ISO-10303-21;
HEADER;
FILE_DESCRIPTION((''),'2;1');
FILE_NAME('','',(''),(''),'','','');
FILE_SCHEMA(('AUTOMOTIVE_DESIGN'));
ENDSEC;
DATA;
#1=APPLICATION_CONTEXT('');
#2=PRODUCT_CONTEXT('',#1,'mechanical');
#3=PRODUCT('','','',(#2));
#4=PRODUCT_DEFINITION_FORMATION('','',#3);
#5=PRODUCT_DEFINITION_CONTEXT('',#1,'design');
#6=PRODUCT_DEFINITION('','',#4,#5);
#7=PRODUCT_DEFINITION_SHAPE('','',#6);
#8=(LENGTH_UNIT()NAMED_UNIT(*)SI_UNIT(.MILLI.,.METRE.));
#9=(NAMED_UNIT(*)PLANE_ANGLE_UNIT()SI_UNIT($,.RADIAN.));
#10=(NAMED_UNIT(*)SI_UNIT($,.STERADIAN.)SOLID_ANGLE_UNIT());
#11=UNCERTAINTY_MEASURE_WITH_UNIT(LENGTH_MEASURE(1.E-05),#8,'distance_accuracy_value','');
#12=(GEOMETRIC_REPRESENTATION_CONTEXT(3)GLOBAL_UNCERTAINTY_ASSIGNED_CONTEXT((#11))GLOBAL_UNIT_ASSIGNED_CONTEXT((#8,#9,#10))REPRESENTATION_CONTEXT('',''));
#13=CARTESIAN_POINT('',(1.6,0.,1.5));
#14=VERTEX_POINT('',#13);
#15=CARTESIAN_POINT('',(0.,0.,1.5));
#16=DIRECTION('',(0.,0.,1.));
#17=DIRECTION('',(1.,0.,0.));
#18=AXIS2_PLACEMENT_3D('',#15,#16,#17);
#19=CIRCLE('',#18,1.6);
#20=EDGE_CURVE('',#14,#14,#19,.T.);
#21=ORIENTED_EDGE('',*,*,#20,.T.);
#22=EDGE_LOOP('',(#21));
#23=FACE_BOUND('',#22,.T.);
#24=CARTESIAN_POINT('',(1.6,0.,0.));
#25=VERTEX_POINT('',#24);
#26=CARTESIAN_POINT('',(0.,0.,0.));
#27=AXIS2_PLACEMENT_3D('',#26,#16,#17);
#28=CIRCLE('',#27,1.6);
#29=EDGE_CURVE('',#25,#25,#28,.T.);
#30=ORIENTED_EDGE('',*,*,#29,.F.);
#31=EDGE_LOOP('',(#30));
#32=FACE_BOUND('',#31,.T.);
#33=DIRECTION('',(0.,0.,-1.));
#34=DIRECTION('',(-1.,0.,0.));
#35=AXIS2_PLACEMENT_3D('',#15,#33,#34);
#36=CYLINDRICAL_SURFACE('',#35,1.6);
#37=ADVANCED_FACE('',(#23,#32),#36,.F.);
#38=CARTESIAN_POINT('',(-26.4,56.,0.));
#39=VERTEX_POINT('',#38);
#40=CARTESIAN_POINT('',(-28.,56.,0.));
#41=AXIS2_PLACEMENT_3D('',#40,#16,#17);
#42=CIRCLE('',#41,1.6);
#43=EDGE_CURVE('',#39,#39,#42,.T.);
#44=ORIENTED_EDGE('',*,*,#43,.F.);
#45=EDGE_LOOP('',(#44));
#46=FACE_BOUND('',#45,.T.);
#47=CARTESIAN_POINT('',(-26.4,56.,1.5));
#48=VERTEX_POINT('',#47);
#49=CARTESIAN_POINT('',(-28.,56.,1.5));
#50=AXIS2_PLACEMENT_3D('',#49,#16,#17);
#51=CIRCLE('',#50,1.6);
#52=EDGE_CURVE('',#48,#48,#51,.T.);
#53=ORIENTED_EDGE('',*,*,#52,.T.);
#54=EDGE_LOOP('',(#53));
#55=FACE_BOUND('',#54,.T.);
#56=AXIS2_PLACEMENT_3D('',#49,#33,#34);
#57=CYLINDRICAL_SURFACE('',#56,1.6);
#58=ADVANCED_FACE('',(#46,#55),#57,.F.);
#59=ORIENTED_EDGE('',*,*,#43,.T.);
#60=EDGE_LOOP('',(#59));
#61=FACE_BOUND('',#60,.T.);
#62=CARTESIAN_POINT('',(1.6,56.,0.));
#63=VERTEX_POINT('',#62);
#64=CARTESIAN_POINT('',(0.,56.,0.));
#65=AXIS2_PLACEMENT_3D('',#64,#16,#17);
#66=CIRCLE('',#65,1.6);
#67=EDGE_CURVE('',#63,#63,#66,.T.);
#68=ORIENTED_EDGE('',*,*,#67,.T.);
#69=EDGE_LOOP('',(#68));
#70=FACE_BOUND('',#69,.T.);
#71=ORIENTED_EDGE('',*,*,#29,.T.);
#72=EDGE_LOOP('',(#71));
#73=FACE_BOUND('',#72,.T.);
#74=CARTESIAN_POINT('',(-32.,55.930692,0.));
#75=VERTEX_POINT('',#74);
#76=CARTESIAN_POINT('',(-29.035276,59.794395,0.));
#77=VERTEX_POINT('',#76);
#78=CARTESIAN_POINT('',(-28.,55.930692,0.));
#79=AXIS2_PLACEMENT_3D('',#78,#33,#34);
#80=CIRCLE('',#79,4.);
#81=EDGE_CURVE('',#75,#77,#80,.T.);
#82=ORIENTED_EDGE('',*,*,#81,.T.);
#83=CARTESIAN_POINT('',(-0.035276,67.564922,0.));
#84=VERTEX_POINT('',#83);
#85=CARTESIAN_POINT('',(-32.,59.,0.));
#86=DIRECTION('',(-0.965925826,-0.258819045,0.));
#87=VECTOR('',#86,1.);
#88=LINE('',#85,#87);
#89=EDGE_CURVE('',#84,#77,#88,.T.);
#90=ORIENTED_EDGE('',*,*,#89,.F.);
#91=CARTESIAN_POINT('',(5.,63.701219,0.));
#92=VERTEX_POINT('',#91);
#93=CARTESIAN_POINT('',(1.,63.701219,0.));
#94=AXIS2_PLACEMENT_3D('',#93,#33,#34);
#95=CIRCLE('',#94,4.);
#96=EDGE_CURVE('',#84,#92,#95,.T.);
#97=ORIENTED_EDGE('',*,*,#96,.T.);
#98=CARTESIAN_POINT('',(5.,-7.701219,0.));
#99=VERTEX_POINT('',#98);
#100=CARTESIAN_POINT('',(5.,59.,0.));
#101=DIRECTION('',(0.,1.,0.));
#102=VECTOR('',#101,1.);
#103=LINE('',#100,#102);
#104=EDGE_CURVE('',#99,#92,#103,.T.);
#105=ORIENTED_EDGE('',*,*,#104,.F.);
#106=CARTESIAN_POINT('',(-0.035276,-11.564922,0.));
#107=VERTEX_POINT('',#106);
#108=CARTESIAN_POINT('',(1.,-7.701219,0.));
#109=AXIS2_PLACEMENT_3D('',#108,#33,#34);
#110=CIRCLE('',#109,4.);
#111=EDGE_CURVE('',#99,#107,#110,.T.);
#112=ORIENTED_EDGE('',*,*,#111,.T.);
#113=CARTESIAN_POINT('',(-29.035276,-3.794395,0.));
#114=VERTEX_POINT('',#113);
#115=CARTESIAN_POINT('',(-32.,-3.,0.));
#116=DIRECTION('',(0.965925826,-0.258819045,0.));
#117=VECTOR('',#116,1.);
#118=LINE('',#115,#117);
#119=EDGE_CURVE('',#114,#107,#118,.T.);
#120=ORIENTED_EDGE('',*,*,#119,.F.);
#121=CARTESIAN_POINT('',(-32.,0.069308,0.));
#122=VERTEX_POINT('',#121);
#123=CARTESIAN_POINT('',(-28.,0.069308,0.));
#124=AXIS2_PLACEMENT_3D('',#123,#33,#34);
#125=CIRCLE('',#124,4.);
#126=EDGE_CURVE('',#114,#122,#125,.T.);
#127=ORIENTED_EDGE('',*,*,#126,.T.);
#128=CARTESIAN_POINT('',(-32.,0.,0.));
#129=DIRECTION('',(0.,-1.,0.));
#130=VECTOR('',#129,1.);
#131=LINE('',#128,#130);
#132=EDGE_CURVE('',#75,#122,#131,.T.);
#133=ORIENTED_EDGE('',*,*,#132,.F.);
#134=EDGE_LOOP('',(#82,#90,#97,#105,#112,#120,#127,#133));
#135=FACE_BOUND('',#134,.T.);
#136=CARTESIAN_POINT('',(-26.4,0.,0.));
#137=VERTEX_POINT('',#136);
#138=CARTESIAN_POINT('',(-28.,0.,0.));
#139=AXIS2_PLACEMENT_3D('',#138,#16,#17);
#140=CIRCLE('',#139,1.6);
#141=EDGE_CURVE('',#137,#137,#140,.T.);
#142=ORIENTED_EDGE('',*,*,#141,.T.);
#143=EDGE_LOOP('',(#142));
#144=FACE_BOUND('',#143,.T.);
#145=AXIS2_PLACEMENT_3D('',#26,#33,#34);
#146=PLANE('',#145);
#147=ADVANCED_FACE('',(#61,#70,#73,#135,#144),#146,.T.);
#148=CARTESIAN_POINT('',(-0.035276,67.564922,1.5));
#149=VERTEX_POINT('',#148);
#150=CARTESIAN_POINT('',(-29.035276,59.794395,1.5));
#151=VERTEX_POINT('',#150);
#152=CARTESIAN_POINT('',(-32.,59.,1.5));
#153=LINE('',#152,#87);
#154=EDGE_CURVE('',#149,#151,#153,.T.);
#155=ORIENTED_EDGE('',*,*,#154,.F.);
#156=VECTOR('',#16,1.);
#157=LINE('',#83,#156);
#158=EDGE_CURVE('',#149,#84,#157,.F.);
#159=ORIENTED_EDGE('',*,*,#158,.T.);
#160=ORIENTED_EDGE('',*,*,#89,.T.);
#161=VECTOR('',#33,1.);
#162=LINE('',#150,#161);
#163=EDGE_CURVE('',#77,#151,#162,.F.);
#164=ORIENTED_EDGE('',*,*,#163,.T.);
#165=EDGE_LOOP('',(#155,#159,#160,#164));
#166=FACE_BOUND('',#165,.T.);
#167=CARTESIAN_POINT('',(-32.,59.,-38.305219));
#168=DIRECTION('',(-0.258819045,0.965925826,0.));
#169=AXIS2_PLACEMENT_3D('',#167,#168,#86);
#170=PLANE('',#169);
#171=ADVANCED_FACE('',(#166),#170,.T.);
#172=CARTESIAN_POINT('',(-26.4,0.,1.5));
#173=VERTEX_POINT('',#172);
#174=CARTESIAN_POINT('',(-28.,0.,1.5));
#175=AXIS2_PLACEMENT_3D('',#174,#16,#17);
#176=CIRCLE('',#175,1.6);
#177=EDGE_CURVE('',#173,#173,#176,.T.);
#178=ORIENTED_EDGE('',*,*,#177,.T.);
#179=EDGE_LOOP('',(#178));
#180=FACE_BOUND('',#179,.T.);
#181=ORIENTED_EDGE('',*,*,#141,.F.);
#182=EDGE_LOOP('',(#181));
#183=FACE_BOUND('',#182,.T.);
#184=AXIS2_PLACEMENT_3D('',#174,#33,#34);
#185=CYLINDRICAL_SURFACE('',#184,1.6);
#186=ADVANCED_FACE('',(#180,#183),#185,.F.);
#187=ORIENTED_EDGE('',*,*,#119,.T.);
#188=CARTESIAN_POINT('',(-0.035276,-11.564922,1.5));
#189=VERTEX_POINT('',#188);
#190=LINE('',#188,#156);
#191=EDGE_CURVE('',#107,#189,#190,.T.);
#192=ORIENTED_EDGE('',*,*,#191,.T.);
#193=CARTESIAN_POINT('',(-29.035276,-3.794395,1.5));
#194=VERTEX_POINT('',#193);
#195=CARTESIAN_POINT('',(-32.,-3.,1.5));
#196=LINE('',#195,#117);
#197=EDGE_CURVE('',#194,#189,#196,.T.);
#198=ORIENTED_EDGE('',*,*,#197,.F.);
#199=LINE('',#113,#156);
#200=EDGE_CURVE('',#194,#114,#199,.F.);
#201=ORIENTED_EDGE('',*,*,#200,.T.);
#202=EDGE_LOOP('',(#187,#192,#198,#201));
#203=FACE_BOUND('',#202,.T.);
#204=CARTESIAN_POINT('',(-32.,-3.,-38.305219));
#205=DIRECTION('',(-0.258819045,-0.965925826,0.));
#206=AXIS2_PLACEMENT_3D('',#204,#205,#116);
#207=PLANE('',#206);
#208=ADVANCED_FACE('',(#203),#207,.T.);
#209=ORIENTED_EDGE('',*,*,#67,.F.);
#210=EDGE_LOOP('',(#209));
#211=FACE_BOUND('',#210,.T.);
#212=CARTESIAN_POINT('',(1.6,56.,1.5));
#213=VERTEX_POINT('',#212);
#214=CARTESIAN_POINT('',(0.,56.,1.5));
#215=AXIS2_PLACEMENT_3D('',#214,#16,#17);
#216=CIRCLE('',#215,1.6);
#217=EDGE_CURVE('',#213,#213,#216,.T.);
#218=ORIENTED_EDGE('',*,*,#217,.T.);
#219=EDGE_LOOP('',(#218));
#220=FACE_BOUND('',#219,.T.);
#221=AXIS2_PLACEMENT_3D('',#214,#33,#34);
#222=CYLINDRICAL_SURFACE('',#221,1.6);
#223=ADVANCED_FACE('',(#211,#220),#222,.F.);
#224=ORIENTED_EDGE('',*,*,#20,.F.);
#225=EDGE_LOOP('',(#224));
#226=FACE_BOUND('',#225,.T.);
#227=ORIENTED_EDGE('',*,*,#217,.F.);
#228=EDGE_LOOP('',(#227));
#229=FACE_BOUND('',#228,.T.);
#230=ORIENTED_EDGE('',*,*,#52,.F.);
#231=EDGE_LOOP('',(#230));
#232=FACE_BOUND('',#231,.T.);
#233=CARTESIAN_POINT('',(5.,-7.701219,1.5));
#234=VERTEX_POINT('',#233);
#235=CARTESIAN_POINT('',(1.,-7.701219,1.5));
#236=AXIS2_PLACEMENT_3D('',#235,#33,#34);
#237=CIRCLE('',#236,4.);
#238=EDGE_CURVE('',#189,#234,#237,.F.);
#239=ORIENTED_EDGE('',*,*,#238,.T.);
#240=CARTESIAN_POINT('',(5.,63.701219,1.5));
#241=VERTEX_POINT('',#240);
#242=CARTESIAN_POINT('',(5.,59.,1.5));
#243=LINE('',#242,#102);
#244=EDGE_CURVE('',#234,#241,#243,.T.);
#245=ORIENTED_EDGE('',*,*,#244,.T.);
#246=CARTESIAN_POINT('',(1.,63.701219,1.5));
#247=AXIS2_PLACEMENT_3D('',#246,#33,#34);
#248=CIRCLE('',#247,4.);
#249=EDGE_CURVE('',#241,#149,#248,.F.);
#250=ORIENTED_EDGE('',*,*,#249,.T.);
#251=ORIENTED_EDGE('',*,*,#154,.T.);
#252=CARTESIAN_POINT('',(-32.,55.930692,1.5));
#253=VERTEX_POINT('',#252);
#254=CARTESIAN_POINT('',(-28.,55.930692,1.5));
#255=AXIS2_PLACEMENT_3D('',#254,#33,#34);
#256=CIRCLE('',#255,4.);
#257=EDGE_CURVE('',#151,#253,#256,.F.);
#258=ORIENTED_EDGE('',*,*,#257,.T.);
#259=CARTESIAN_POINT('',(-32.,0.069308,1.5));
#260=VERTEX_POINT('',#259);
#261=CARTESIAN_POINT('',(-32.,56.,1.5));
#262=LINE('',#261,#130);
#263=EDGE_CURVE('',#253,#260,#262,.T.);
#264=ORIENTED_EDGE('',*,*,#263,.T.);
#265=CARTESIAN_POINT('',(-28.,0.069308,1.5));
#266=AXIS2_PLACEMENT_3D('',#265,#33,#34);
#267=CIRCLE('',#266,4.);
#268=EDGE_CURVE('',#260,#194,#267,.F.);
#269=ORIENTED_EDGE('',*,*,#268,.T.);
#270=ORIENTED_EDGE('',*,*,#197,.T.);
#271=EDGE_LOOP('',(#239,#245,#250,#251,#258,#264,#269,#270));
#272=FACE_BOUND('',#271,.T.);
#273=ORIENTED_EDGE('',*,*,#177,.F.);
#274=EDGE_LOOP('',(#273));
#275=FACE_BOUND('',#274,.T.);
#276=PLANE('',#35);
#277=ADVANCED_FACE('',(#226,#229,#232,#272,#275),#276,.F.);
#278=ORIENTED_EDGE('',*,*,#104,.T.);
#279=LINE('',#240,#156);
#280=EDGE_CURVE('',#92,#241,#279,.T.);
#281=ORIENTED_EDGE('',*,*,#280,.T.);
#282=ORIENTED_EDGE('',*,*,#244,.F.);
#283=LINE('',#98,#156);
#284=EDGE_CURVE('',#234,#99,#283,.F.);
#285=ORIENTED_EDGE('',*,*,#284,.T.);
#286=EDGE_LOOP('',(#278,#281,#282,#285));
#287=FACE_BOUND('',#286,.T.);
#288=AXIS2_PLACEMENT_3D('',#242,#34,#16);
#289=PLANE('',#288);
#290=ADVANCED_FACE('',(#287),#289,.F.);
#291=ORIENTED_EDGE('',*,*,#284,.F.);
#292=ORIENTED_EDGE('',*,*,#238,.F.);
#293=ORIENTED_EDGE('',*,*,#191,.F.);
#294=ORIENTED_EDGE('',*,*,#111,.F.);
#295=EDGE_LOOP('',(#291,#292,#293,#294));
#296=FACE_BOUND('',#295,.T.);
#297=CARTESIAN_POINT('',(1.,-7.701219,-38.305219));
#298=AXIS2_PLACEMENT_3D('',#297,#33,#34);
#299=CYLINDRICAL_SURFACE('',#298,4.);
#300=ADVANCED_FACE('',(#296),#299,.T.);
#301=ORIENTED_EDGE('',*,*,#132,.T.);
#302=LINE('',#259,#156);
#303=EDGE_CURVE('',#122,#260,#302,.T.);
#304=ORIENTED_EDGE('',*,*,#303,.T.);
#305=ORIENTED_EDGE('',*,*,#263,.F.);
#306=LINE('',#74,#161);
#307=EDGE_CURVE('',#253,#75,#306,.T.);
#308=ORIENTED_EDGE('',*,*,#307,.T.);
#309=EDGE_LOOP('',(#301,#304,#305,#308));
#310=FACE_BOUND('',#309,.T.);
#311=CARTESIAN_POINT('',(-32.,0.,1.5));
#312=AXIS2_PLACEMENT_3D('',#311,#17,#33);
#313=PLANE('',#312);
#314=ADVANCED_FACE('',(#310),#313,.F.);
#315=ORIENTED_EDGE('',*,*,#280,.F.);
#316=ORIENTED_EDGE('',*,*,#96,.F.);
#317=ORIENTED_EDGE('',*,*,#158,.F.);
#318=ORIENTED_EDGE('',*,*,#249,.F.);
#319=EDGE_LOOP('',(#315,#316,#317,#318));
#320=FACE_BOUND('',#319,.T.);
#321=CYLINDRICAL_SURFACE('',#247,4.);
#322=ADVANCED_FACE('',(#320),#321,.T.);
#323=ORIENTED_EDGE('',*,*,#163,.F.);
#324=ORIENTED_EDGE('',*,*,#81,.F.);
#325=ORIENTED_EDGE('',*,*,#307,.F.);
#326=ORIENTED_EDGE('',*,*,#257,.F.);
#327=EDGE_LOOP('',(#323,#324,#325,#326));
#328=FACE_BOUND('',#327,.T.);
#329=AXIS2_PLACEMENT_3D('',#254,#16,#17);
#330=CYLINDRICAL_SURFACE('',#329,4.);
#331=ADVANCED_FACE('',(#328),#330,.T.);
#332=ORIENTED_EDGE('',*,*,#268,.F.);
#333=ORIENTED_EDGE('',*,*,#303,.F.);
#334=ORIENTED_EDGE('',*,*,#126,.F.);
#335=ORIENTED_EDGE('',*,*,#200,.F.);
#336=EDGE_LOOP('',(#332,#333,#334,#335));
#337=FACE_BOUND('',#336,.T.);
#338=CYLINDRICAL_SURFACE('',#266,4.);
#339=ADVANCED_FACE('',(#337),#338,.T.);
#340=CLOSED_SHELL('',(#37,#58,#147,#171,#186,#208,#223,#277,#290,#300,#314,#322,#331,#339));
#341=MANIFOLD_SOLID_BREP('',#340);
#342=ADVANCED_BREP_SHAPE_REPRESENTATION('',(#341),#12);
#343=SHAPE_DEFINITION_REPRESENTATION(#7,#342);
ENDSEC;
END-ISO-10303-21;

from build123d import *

# Parameters (mm, degrees)
SKETCH1_R           = 1.6
BOSS_EXTRUDE1_DEPTH = 1.5
CUT_EXTRUDE1_DEPTH  = 1.5
BOSS_EXTRUDE2_DEPTH = 1.5
FILLET1_R           = 4


with BuildPart() as part:
    # Sketch1 → Boss-Extrude1 (new body)
    with BuildSketch(Plane.XY):
        Polygon((5, 59), (-32, 72.466898668), (-32, 56), (-32, 0), (-32, -16.466898668), (5, -3), align=None)
        Circle(SKETCH1_R, mode=Mode.SUBTRACT)
        with Locations((-28, 0)):
            Circle(SKETCH1_R, mode=Mode.SUBTRACT)
        with Locations((0, 56)):
            Circle(SKETCH1_R, mode=Mode.SUBTRACT)
        with Locations((-28, 56)):
            Circle(SKETCH1_R, mode=Mode.SUBTRACT)
    extrude(amount=BOSS_EXTRUDE1_DEPTH)

    # Sketch2 → Cut-Extrude1 (cut)
    with BuildSketch(Plane.XY.offset(1.5)):
        Polygon((5, 59), (-43.875673323, 59), (-43.875673323, 79.145449881), (45.915909875, 71.47170947), align=None)
        Polygon((5, -3), (-36.907564214, -3), (-45.551547665, -23.435700668), (23.159300381, -21.407010674), align=None)
    extrude(amount=-CUT_EXTRUDE1_DEPTH, mode=Mode.SUBTRACT)

    # Sketch3 → Boss-Extrude2 (add)
    with BuildSketch(Plane.XY.offset(1.5)):
        Polygon((-32, 59), (5, 68.91412012), (5, 59), align=None)
        Polygon((5, -3), (5, -12.91412012), (-32, -3), align=None)
    extrude(amount=-BOSS_EXTRUDE2_DEPTH)

    # Fillet1
    fillet1_edges = [part.edges().sort_by_distance(p)[0] for p in [
        (-32, 59, 0.75),
        (-32, -3, 0.75),
        (5, 68.91412012, 0.75),
        (5, -12.91412012, 0.75),
    ]]
    fillet(fillet1_edges, radius=FILLET1_R)


solid = part.part
